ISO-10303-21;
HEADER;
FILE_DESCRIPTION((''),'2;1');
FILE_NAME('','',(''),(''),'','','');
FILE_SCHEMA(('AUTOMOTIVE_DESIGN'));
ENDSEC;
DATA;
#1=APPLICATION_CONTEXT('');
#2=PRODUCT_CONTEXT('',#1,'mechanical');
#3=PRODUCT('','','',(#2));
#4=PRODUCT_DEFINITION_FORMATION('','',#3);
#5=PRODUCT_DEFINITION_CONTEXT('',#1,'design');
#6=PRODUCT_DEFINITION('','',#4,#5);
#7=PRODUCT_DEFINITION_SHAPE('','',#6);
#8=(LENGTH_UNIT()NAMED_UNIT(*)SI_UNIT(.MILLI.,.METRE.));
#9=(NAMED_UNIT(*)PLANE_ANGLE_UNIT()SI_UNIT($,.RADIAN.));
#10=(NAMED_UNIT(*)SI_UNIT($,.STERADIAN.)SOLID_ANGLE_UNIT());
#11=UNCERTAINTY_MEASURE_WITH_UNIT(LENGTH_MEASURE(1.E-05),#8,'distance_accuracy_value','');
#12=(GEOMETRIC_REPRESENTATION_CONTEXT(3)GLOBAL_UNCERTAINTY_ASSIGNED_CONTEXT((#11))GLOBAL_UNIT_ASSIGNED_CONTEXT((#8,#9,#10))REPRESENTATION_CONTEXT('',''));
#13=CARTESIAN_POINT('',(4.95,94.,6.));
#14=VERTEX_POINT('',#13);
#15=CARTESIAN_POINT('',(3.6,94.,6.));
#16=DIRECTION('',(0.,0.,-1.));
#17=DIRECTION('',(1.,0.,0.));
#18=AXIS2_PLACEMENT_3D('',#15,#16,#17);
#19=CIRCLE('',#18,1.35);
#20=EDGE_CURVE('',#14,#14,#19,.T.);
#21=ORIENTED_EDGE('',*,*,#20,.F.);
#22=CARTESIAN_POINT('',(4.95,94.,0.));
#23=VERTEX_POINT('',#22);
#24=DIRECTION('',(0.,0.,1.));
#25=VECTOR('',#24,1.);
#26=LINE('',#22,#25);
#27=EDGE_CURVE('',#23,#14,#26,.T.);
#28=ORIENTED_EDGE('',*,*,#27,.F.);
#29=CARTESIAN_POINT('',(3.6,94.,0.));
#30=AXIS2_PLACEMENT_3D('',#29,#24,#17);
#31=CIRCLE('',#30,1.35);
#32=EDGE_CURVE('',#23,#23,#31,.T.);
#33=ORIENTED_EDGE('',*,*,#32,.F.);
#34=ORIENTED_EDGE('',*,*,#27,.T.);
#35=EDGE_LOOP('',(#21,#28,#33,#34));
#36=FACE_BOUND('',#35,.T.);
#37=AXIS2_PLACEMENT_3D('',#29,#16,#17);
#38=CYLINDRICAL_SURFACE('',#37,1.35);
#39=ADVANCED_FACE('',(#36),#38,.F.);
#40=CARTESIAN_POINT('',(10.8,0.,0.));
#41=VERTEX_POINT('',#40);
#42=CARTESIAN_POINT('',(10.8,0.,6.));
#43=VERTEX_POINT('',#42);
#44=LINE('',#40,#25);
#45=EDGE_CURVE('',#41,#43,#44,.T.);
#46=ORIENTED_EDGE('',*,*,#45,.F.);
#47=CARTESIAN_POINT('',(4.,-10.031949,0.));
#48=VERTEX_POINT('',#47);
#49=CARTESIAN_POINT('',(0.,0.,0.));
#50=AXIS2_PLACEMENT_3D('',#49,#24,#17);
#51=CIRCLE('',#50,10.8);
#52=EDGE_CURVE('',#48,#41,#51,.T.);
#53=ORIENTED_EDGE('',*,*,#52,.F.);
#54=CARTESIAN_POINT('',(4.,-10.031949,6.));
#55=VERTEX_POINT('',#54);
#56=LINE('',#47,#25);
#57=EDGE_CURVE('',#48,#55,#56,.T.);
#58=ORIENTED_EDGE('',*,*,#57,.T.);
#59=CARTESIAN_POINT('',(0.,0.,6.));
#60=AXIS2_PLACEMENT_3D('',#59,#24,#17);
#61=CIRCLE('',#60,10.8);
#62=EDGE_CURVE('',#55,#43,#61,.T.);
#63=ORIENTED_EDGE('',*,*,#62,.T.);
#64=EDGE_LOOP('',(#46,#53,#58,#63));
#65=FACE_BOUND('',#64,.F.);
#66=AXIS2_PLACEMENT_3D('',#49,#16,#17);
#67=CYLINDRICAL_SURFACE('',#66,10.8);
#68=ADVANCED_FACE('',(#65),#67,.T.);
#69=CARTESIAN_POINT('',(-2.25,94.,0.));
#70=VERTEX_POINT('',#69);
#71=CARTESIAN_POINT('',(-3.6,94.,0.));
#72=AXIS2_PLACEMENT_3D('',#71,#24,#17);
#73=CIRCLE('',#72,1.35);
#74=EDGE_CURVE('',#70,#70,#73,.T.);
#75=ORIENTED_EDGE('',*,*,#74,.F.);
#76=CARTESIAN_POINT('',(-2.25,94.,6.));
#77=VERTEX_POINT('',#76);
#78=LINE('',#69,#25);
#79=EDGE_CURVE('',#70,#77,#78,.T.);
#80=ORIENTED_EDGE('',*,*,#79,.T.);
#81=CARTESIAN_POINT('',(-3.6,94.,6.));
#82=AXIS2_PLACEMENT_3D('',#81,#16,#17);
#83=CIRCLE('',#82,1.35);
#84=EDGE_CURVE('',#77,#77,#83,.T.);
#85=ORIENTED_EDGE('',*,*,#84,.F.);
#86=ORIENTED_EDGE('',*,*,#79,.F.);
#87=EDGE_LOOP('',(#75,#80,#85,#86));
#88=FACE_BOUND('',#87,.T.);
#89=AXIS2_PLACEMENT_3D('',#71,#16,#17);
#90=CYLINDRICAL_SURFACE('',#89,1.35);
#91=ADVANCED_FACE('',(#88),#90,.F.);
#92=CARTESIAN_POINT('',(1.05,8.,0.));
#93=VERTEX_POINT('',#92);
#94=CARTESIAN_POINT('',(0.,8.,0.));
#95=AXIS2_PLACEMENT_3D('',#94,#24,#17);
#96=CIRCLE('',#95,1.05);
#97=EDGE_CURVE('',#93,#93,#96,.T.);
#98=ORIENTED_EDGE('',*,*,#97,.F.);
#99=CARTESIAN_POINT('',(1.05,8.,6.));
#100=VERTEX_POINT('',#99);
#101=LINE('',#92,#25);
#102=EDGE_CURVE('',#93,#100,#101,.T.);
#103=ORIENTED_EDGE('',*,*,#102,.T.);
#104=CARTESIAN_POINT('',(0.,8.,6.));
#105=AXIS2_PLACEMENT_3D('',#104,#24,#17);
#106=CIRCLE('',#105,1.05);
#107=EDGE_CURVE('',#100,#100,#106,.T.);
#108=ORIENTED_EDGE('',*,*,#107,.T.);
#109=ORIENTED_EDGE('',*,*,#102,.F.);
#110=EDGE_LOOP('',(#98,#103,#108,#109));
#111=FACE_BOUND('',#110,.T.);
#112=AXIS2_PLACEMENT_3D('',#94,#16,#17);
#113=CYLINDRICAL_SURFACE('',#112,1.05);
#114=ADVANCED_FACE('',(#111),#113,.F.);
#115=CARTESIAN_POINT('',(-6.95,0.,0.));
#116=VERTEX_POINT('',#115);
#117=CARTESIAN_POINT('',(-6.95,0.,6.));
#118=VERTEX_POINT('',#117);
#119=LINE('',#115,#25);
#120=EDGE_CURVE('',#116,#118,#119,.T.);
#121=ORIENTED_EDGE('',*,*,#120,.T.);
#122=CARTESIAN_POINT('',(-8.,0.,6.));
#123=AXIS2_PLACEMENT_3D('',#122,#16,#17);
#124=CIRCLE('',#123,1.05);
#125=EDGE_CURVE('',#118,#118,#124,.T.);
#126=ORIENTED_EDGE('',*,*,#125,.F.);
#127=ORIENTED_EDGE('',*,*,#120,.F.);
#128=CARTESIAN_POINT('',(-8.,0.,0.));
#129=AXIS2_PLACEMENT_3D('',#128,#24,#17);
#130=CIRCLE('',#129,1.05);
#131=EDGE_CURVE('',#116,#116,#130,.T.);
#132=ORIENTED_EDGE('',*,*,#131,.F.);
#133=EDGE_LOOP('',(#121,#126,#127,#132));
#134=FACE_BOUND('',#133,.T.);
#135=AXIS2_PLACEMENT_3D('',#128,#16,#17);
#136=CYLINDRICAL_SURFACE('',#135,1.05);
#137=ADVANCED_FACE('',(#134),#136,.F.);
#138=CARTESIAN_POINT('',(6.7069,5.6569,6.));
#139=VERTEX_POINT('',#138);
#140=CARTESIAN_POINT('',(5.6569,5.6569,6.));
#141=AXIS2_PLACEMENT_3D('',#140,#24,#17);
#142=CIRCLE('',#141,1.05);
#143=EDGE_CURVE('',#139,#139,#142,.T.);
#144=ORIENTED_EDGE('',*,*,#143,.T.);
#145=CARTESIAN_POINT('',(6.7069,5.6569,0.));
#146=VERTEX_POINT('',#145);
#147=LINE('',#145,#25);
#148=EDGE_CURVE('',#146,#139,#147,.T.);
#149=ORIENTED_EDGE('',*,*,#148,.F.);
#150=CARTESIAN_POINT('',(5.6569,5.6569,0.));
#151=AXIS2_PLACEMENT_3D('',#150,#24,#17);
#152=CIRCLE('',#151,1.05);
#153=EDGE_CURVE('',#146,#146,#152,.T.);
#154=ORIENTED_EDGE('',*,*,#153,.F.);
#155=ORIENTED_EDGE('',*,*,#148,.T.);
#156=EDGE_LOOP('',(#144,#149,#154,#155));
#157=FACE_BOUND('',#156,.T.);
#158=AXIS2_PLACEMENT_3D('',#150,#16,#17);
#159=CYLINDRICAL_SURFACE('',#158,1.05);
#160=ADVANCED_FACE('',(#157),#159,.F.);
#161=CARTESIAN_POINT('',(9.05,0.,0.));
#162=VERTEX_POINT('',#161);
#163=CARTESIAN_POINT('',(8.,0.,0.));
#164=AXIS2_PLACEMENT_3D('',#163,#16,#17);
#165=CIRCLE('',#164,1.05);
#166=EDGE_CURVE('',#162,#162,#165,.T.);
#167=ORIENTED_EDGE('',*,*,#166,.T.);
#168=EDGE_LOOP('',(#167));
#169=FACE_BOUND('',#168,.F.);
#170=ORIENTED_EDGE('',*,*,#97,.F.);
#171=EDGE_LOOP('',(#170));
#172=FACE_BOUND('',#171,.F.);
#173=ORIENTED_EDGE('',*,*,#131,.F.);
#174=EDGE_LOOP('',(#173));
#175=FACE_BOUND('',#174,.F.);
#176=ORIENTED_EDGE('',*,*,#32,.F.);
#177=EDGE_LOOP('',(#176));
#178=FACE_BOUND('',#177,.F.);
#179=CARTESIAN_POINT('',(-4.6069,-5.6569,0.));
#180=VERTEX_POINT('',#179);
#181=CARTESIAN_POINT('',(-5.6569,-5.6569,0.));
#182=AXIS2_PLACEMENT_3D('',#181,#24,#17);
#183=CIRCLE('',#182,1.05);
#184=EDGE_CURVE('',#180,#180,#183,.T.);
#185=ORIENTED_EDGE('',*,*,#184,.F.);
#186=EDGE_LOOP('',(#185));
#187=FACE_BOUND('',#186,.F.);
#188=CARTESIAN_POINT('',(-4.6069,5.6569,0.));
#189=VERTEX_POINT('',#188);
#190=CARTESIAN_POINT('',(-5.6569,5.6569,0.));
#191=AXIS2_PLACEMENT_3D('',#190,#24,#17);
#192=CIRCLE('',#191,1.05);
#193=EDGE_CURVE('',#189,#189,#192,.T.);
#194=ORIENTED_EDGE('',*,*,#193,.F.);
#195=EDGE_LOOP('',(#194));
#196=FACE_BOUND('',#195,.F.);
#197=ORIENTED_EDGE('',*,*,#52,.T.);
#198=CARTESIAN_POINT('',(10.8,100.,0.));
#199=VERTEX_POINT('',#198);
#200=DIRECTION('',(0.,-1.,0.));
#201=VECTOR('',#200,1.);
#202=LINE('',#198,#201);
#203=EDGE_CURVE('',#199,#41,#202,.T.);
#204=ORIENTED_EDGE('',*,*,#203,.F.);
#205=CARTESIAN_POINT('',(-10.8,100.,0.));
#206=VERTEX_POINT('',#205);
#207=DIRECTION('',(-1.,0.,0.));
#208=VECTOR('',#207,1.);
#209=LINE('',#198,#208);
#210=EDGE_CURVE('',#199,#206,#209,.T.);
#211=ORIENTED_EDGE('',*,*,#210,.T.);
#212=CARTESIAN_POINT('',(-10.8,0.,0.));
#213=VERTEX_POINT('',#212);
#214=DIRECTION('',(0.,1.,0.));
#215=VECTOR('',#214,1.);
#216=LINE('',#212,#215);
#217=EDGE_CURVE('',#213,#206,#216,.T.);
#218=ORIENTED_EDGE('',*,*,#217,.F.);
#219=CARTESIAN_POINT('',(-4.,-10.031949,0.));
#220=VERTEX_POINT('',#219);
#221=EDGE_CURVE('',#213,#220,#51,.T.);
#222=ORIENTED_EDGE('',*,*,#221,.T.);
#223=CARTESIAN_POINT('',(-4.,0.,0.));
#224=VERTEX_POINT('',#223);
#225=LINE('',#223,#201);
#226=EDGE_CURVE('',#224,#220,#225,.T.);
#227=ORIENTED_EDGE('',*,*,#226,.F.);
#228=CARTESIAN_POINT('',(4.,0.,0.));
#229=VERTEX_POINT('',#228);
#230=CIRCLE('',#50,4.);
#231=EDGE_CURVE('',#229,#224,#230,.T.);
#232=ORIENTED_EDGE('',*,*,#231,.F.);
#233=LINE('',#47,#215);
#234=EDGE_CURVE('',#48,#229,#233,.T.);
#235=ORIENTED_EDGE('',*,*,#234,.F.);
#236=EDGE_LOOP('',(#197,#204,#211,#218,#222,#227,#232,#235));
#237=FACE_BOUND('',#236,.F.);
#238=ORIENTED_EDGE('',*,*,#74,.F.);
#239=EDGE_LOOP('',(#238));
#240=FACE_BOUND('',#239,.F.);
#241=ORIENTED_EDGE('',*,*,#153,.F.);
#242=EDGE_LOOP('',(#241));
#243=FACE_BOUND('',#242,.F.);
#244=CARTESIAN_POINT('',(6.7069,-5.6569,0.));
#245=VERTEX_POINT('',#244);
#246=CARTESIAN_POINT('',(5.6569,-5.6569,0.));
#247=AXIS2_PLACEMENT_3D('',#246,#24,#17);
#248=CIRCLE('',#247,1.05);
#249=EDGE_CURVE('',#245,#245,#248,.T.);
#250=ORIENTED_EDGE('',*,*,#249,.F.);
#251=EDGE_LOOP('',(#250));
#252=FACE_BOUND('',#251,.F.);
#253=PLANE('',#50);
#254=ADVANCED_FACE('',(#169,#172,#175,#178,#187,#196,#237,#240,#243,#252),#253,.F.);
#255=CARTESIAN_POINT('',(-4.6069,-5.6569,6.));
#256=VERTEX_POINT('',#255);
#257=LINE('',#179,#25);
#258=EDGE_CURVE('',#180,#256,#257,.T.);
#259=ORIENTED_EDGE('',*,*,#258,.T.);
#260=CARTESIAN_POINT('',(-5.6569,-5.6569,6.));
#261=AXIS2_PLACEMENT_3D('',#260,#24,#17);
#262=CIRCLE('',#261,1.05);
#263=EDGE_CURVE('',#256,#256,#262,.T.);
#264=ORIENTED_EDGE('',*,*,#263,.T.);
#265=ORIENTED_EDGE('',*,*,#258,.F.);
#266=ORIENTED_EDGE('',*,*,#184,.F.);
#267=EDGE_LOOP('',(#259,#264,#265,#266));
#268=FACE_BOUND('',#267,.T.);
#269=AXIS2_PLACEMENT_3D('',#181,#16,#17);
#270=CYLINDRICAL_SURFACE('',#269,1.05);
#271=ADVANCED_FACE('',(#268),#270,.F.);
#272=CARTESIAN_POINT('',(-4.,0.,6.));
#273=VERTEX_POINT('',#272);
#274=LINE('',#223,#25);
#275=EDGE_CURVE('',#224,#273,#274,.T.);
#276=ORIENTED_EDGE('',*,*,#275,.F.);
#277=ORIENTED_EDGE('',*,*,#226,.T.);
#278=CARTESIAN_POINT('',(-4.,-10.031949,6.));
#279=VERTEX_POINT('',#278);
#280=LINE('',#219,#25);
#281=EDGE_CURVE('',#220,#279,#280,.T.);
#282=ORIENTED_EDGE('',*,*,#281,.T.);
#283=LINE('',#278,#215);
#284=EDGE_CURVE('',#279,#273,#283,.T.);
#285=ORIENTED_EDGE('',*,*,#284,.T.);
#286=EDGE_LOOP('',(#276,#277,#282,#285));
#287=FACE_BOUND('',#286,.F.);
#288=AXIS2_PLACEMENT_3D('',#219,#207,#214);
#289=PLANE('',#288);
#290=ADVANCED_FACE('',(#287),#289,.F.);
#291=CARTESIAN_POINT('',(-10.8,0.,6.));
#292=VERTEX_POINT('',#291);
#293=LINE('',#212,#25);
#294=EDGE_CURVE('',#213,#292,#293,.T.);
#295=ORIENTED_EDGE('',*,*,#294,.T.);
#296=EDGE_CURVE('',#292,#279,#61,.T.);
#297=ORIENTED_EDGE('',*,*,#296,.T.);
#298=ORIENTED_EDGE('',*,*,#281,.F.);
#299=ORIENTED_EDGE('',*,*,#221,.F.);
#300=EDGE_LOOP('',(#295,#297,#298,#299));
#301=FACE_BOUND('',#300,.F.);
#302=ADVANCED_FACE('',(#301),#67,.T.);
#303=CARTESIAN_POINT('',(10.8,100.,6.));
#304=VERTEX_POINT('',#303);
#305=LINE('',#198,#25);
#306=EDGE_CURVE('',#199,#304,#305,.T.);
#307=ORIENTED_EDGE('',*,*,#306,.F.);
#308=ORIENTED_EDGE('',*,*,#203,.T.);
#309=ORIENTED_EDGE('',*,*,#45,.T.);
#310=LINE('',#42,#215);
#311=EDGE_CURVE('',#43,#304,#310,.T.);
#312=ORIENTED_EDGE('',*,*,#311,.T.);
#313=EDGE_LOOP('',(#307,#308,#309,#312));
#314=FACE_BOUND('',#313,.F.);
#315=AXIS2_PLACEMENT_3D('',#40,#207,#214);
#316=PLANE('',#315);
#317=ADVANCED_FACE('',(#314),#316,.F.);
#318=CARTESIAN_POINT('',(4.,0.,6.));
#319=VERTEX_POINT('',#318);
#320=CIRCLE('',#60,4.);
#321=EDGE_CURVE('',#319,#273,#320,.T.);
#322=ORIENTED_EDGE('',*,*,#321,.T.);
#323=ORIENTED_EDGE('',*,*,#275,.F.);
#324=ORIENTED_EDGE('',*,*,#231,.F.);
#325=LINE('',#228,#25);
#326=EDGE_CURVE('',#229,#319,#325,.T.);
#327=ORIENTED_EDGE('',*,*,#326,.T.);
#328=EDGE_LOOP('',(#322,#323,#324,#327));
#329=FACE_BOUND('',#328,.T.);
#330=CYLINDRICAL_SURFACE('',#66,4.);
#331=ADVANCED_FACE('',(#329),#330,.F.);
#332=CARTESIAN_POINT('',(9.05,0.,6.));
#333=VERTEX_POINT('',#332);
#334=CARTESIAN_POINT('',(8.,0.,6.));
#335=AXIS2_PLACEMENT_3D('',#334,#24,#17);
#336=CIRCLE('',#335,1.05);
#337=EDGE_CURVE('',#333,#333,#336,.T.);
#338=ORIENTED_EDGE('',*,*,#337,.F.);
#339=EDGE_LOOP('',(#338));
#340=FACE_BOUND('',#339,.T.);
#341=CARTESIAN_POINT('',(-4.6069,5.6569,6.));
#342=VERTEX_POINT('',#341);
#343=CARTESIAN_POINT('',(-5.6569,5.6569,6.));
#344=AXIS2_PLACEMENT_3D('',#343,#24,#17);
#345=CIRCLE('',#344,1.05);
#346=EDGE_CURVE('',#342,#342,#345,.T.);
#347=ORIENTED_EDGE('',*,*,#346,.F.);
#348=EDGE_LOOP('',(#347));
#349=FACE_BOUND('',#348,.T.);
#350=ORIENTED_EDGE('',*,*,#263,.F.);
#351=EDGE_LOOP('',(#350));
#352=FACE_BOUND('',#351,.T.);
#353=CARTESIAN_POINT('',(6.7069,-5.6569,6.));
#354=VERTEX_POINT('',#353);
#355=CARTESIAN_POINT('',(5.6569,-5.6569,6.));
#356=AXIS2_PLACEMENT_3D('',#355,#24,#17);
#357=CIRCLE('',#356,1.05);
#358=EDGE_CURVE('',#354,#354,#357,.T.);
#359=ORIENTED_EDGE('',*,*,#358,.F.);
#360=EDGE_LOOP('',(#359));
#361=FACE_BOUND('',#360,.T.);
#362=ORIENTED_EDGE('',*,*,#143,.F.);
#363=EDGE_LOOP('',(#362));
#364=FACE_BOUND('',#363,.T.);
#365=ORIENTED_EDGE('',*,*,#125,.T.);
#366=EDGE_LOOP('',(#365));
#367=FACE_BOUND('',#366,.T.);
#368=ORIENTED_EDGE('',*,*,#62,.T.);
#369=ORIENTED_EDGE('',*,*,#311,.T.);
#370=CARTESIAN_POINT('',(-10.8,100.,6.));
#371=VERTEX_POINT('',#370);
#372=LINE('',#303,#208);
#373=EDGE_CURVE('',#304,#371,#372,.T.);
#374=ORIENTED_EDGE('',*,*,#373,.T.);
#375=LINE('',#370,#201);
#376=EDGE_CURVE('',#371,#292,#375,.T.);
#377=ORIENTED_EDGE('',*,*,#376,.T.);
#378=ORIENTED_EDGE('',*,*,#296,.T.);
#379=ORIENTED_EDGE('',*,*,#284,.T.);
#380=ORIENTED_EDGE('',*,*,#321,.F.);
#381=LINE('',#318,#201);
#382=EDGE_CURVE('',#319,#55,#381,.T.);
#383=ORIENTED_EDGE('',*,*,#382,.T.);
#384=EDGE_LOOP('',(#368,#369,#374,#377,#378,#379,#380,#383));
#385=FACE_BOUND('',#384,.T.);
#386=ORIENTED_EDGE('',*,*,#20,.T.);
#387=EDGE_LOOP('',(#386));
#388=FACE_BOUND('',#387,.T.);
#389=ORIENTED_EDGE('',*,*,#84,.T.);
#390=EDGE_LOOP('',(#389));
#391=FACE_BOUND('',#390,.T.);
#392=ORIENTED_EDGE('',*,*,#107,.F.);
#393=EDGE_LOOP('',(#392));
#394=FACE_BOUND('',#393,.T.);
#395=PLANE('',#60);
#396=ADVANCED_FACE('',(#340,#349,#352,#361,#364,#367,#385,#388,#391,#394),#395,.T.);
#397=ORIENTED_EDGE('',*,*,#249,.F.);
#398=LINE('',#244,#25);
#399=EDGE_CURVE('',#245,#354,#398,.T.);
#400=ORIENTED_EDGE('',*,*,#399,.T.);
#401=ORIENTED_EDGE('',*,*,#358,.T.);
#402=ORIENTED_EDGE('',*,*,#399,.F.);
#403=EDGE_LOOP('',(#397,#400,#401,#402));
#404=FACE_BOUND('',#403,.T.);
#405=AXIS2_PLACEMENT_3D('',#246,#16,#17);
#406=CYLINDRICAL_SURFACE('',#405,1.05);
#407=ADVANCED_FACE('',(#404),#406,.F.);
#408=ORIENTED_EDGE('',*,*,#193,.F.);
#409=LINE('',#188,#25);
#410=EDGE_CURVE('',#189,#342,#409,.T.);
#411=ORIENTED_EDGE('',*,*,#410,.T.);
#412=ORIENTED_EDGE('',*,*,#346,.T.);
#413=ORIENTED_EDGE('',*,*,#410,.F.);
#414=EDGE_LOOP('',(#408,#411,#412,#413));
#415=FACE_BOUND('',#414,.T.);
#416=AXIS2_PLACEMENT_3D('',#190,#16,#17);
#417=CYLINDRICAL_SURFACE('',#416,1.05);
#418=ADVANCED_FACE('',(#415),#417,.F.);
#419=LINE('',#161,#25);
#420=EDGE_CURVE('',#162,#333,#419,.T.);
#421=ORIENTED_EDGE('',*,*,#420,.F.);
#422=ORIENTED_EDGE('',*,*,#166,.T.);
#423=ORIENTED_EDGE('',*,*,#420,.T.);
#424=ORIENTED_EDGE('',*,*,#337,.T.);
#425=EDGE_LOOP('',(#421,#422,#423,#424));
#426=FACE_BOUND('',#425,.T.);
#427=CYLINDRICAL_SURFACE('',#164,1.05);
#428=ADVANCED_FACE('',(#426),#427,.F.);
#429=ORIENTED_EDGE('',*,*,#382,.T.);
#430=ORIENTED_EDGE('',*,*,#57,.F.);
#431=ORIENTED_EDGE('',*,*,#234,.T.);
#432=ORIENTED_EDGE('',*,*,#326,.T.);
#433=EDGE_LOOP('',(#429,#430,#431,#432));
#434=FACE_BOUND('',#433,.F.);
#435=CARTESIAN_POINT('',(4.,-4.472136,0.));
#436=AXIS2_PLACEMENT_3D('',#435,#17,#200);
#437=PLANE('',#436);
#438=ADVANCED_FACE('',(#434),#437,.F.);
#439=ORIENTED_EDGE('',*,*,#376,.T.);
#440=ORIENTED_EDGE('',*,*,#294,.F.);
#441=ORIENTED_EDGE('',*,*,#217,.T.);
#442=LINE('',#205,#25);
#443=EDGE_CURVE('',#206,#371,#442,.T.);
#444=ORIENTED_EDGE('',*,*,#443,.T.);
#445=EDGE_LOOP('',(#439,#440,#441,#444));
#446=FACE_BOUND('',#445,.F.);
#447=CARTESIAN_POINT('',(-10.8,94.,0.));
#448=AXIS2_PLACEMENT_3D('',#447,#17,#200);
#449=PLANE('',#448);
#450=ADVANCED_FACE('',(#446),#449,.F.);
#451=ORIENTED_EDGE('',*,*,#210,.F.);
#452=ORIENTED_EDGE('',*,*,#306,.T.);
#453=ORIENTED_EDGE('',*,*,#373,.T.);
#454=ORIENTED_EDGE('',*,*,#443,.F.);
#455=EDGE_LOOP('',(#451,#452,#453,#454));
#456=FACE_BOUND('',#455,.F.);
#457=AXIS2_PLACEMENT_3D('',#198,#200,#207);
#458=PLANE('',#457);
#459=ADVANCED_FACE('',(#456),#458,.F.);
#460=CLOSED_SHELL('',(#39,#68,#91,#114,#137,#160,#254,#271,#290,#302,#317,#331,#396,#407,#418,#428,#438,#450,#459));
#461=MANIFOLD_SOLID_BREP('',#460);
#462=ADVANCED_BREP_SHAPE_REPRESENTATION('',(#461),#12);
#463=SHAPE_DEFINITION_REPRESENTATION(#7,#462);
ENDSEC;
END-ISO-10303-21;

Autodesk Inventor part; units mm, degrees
ref_plane "YZ Plane" through (0, 0, 0) normal (1, 0, 0) x (0, 1, 0)
ref_plane "XZ Plane" through (0, 0, 0) normal (0, 1, 0) x (-1, 0, 0)
ref_plane "XY Plane" through (0, 0, 0) normal (0, 0, 1) x (1, 0, 0)
sketch "스케치1" plane through (0, 0, 0) normal (0, 0, 1) x (1, 0, 0)
  circle A0 centre (0, 0) radius 10.8 projected
  circle A1 centre (0, 0) radius 6 projected
  circle A2 centre (0, -8) radius 1.05 projected
  circle A3 centre (-5.6569, -5.6569) radius 1.05 projected
  circle A4 centre (-8, 0) radius 1.05 projected
  circle A5 centre (-5.6569, 5.6569) radius 1.05 projected
  circle A6 centre (0, 8) radius 1.05 projected
  circle A7 centre (5.6569, 5.6569) radius 1.05 projected
  circle A8 centre (8, 0) radius 1.05 projected
  circle A9 centre (5.6569, -5.6569) radius 1.05 projected
  circle A10 centre (0, 0) radius 3.6 projected
  circle A11 centre (0, 0) radius 3.6 projected
  circle A12 centre (0, 0) radius 4
  line L0 (-4, 0) -> (4, 0)
  line L1 (4, 0) -> (4, -13.3653)
  line L2 (4, -13.3653) -> (-4, -13.3653)
  line L3 (-4, -13.3653) -> (-4, 0)
  line L4 (-10.8, 0) -> (10.8, 0)
  line L5 (10.8, 0) -> (10.8, 100)
  line L6 (10.8, 100) -> (-10.8, 100)
  line L7 (-10.8, 100) -> (-10.8, 0)
  line L8 (10.8, 100) -> (10.8, 94)
  line L9 (10.8, 94) -> (3.6, 94)
  line L10 (3.6, 94) -> (-3.6, 94)
  line L11 (-3.6, 94) -> (-10.8, 94)
  circle A13 centre (-3.6, 94) radius 1.35
  circle A14 centre (3.6, 94) radius 1.35
  point P0 (0, 0)
  point P1 (-3.6, 0)
  point P2 (3.6, 0)
  point P3 (-4, -10.0319)
  point P4 (4, -10.0319)
  dimension "d0" = 8
  dimension "d1" = 100
  dimension "d2" = 21.6
  dimension "d3" = 6
  dimension "d4" = 7.2
  dimension "d5" = 7.2
  dimension "d6" = 2.7
  dimension "d7" = 2.7
extrude "돌출1" add sketch "스케치1" along normal blind 6 contours L4 A8 A1 A4 A0 | A0 L1 A1 L4 A8 | A0 L7 L11 A13 L10 A14 L9 L5 | L4 A4 A1 L3 A0 | L9 A14 L10 A13 L11 L7 L6 L5 | L1 L4 A1 | A1 L4 L3 | L4 A12 A1
properties part number "_hand_adt_ver_2_" material "PMMA 플라스틱"
